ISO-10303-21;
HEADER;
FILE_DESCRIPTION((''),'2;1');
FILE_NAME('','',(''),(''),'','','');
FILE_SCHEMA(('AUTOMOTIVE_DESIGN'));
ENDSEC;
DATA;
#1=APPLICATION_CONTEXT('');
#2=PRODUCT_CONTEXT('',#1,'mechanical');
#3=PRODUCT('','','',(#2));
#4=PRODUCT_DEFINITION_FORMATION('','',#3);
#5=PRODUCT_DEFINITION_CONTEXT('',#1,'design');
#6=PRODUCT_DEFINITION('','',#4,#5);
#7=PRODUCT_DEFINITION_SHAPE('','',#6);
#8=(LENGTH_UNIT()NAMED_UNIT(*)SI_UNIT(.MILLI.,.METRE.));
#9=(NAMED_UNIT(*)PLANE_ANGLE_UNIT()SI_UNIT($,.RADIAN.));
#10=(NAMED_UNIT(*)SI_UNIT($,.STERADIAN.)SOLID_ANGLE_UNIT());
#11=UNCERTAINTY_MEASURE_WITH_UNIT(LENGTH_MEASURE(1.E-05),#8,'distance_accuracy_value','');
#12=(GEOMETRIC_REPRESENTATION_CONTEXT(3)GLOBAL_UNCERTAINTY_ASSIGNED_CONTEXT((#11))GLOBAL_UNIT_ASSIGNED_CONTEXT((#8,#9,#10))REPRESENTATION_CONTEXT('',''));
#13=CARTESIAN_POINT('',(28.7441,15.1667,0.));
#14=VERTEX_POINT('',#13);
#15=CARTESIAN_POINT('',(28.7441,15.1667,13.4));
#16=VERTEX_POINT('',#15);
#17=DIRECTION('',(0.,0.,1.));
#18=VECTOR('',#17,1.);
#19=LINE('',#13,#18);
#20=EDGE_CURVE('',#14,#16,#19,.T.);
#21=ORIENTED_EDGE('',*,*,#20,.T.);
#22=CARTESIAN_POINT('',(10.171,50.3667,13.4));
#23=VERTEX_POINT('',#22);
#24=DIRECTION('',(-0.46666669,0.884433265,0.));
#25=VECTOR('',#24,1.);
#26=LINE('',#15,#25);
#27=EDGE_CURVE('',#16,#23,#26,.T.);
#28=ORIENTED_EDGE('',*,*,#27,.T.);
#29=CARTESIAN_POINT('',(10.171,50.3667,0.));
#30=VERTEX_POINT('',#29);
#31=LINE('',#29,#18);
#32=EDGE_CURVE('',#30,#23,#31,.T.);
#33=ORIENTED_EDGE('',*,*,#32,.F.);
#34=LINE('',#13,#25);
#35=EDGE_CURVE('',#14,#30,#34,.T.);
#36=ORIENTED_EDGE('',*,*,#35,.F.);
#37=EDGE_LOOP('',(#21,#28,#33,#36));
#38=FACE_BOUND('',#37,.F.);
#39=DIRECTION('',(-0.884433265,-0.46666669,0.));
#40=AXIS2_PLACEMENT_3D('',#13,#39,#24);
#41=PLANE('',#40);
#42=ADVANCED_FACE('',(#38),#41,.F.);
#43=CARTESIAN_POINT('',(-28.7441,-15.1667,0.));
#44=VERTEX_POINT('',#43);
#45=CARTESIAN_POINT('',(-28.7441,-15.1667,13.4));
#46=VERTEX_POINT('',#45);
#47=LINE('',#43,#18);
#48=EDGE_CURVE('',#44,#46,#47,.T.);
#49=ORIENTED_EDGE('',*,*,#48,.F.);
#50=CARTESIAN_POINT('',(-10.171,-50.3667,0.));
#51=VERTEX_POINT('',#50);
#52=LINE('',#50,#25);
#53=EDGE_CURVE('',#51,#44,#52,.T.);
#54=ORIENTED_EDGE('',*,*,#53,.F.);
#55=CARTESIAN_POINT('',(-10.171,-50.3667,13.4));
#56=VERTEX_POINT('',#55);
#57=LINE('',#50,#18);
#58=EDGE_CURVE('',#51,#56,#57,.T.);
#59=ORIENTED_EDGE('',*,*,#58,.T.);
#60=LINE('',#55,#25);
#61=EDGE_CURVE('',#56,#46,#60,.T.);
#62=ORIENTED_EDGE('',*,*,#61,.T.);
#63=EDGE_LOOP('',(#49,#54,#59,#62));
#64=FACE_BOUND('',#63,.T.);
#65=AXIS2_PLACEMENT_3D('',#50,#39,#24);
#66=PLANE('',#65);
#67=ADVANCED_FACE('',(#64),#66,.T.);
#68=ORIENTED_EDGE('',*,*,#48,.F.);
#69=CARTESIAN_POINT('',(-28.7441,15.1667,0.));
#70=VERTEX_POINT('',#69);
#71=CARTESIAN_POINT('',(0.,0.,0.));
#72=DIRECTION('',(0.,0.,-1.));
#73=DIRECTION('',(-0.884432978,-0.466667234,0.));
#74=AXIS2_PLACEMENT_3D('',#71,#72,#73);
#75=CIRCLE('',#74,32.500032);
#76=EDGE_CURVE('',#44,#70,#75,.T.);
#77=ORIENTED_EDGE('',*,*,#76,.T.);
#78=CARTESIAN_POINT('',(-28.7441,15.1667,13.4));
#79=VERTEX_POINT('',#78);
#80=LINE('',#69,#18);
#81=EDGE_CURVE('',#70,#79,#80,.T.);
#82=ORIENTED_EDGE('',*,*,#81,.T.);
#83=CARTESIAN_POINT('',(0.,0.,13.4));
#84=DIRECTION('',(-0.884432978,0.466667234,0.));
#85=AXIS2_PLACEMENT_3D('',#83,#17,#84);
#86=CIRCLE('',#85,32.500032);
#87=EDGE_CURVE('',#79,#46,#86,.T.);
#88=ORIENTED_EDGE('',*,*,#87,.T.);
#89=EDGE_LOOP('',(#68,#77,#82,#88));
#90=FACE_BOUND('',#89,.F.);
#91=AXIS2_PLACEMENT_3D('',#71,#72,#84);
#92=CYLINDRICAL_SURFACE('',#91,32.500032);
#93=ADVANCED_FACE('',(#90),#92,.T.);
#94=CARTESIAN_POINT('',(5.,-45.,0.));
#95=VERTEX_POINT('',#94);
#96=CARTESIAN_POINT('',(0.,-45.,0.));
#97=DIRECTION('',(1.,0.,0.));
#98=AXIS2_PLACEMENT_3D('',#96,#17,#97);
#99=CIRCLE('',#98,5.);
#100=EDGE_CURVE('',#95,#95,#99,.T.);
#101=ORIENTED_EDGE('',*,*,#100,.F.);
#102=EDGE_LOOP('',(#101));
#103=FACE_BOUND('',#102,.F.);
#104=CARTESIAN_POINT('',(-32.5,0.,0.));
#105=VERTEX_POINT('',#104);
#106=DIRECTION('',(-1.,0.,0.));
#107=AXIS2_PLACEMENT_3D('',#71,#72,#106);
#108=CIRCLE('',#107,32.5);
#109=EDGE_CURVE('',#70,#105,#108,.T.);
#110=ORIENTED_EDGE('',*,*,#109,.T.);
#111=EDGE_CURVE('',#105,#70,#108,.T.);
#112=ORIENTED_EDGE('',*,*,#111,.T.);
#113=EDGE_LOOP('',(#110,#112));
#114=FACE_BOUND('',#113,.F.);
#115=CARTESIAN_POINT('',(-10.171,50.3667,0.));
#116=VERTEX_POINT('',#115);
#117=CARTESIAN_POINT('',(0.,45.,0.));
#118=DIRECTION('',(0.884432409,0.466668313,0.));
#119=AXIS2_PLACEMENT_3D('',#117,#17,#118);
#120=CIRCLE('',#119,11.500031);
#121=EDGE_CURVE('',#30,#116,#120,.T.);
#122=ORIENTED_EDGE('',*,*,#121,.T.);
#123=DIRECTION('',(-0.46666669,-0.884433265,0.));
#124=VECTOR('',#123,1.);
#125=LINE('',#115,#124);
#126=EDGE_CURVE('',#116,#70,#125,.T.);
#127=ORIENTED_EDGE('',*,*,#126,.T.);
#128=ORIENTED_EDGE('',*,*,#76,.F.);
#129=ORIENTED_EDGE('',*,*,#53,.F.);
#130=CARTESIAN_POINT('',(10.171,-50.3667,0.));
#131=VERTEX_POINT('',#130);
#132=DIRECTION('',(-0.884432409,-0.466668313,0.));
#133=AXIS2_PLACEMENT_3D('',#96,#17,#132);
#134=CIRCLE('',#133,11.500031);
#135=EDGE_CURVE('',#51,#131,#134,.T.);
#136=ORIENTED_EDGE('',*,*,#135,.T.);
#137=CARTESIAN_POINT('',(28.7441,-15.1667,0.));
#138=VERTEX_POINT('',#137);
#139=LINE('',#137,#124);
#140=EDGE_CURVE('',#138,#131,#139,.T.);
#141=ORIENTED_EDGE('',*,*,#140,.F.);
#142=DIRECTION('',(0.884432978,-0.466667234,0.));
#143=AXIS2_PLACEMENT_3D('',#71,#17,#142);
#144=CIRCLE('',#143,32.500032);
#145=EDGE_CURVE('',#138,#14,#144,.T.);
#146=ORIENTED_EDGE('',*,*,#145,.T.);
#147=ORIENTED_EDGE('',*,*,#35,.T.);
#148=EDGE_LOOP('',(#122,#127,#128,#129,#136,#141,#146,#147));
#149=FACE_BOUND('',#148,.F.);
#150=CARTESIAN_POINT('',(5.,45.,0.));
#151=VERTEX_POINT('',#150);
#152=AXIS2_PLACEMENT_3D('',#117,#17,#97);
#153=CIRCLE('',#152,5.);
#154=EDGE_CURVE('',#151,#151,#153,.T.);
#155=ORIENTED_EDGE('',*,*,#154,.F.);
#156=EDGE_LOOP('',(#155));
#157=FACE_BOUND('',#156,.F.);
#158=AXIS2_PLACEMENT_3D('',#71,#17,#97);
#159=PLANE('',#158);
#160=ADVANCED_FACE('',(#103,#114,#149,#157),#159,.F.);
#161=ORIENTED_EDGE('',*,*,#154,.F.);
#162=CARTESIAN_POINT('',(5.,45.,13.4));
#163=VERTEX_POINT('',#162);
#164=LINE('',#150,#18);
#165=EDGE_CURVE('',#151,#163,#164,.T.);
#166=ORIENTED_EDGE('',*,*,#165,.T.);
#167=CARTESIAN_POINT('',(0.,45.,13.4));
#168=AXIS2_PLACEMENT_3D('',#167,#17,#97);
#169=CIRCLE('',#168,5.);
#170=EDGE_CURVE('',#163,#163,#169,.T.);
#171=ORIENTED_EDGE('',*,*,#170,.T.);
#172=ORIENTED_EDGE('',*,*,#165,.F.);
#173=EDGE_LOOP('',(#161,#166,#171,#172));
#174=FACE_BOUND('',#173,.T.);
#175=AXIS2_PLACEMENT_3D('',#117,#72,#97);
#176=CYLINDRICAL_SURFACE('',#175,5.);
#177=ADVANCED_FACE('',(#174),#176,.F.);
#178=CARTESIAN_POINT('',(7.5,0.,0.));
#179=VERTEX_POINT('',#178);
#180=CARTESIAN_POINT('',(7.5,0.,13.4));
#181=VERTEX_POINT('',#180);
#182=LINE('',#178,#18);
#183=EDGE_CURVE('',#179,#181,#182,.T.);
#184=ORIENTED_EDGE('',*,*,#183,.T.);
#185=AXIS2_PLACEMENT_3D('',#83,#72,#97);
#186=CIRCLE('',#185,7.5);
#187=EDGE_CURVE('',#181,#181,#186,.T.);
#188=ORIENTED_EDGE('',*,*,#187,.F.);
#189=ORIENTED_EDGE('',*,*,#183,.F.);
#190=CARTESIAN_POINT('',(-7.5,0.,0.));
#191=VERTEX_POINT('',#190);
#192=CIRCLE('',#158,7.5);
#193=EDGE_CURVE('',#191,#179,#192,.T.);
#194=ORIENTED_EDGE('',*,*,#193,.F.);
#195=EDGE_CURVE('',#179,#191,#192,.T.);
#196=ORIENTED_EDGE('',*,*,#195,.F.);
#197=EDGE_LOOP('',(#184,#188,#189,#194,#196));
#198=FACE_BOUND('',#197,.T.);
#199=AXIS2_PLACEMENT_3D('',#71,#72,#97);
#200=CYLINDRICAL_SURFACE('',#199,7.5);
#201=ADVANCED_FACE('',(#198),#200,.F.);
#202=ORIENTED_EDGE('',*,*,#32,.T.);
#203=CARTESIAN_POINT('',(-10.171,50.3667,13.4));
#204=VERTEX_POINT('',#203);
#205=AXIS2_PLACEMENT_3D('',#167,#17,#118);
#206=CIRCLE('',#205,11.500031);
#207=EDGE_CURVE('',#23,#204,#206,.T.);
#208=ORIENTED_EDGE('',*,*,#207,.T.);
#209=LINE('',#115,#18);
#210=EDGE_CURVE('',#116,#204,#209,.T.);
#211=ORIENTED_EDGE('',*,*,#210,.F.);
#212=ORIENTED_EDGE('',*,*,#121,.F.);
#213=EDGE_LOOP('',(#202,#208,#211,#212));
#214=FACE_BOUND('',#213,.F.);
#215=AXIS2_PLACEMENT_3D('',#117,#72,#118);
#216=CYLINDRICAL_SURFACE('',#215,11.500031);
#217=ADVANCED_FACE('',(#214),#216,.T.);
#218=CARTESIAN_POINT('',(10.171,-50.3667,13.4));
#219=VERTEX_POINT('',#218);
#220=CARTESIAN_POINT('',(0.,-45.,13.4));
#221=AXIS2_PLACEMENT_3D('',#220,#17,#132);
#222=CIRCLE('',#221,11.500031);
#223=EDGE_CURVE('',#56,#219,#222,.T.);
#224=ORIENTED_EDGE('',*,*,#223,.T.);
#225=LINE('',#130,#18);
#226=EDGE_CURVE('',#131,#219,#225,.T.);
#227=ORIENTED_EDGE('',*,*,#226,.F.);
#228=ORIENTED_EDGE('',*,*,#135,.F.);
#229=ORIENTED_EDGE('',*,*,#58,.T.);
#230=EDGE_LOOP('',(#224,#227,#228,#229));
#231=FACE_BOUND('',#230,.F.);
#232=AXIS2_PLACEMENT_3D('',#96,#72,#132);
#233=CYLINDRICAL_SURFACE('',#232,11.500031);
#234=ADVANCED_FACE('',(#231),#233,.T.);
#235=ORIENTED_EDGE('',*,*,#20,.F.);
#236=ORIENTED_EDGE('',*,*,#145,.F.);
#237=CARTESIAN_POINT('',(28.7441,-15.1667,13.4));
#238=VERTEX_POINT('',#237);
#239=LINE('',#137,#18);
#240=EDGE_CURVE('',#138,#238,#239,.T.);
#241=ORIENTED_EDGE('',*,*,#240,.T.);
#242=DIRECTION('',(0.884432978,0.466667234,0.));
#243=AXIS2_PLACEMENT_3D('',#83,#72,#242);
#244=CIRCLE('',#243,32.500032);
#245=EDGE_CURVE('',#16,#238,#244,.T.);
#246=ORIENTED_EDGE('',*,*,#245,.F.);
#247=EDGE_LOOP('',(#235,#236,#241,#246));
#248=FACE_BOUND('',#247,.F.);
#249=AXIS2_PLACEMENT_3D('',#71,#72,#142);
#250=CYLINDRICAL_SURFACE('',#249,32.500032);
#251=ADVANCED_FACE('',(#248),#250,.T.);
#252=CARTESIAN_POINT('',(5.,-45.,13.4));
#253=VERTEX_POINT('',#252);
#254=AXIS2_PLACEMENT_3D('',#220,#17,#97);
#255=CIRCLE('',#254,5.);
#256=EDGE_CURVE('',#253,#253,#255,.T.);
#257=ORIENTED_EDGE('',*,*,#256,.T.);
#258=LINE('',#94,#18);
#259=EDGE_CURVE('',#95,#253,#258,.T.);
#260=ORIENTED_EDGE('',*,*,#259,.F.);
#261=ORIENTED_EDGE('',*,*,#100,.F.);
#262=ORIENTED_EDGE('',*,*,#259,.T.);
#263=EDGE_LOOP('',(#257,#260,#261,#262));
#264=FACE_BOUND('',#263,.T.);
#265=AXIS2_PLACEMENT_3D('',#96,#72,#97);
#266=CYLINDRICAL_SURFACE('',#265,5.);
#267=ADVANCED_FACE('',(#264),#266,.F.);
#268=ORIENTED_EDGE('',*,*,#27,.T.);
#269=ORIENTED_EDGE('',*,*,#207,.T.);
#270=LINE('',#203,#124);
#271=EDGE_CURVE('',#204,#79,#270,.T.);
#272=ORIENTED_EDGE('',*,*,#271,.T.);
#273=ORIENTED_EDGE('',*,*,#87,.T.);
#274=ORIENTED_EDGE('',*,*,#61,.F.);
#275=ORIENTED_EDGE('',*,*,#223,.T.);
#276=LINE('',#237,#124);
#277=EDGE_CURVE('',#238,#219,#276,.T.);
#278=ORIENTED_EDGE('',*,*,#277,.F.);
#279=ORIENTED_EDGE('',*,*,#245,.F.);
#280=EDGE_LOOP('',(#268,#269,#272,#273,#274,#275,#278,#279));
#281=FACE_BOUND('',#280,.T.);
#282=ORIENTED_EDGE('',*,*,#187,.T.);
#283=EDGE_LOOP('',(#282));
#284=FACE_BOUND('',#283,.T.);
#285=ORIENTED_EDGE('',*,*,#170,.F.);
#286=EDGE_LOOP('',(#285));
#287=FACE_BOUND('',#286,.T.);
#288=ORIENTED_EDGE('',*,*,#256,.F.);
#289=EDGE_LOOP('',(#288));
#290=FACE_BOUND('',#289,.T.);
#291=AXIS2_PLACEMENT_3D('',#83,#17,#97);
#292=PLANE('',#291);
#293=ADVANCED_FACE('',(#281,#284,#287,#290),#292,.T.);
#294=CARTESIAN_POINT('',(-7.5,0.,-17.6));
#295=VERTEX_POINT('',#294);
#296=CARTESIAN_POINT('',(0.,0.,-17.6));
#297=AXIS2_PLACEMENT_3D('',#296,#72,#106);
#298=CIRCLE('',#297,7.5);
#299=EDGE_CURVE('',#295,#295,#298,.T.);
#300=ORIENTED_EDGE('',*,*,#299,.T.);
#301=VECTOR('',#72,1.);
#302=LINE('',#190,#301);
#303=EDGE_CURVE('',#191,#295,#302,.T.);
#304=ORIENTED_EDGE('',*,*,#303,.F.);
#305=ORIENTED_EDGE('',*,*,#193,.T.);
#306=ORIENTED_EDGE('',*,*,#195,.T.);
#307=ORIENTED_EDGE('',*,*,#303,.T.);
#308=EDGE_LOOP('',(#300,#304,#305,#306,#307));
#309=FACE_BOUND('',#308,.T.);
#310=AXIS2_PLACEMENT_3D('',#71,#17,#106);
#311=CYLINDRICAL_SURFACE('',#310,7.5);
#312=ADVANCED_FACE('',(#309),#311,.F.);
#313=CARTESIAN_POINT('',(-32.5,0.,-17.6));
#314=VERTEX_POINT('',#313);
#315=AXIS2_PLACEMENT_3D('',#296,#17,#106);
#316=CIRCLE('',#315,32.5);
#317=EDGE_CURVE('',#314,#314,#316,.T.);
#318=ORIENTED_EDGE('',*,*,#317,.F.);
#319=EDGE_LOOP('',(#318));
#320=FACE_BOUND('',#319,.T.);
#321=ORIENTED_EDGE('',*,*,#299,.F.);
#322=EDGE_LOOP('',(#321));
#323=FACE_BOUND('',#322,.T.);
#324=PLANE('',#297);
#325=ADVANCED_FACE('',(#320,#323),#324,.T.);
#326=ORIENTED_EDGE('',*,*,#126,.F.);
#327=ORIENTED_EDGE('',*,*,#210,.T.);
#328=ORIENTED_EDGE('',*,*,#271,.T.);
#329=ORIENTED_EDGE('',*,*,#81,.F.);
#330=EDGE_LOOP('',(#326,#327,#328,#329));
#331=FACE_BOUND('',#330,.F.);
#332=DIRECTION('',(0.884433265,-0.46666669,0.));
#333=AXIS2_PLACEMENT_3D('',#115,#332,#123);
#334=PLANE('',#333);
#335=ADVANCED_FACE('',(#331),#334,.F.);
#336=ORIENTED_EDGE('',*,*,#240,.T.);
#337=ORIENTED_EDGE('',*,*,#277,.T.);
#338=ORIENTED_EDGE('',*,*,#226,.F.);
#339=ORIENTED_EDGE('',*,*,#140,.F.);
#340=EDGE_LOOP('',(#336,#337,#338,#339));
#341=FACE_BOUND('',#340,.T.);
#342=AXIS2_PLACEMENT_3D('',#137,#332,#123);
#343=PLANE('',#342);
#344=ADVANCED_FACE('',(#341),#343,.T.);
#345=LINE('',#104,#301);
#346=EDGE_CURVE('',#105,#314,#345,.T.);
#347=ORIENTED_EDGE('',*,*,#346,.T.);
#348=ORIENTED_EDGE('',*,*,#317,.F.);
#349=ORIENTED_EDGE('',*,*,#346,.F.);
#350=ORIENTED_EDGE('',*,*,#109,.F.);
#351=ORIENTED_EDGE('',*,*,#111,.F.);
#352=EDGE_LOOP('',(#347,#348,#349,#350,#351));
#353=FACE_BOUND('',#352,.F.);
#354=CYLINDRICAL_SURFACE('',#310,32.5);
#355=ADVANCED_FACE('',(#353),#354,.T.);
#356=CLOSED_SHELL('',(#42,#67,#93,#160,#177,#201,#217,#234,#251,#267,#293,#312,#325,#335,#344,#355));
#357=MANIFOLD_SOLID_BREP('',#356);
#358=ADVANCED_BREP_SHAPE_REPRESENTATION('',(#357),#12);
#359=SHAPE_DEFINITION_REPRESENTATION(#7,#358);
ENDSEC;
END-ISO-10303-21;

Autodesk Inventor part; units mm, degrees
ref_plane "YZ Plane" through (0, 0, 0) normal (1, 0, 0) x (0, 1, 0)
ref_plane "XZ Plane" through (0, 0, 0) normal (0, 1, 0) x (-1, 0, 0)
ref_plane "XY Plane" through (0, 0, 0) normal (0, 0, 1) x (1, 0, 0)
sketch "Эскиз1" plane through (0, 0, 0) normal (0, 0, 1) x (1, 0, 0)
  circle A0 centre (0, 0) radius 7.5
  circle A1 centre (0, 45) radius 5
  line L0 (46.4621, 0) -> (-49.3756, 0)
  arc A2 (10.171, 50.3667) -> (-10.171, 50.3667) centre (0, 45) ccw
  line L1 (-10.171, 50.3667) -> (-28.7441, 15.1667)
  line L2 (28.7441, 15.1667) -> (10.171, 50.3667)
  circle A3 centre (0, -45) radius 5
  arc A4 (-10.171, -50.3667) -> (10.171, -50.3667) centre (0, -45) ccw
  line L3 (-10.171, -50.3667) -> (-28.7441, -15.1667)
  line L4 (28.7441, -15.1667) -> (10.171, -50.3667)
  arc A5 (-28.7441, 15.1667) -> (-28.7441, -15.1667) centre (0, 0) ccw
  arc A6 (28.7441, -15.1667) -> (28.7441, 15.1667) centre (0, 0) ccw
  dimension "d0" = 15
  dimension "d2" = 10
  dimension "d4" = 45
  dimension "d5" = 23
  dimension "d6" = 32.5
extrude "Выдавливание1" add sketch "Эскиз1" along normal blind 13.4 contours L0 A6 L4 A4 L3 A5 A0 | A0 L0 A5 L1 A2 L2 A6
sketch "Эскиз2" plane through (0, 0, 0) normal (0, 0, -1) x (-1, 0, 0)
  circle A0 centre (0, 0) radius 7.5 projected
  line L0 (10.171, 50.3667) -> (28.7441, 15.1667) projected
  circle A1 centre (0, 0) radius 32.5
extrude "Выдавливание2" add sketch "Эскиз2" along normal blind 17.6
properties part number "bearing_unit_15mm" material "Чугун, серый"
